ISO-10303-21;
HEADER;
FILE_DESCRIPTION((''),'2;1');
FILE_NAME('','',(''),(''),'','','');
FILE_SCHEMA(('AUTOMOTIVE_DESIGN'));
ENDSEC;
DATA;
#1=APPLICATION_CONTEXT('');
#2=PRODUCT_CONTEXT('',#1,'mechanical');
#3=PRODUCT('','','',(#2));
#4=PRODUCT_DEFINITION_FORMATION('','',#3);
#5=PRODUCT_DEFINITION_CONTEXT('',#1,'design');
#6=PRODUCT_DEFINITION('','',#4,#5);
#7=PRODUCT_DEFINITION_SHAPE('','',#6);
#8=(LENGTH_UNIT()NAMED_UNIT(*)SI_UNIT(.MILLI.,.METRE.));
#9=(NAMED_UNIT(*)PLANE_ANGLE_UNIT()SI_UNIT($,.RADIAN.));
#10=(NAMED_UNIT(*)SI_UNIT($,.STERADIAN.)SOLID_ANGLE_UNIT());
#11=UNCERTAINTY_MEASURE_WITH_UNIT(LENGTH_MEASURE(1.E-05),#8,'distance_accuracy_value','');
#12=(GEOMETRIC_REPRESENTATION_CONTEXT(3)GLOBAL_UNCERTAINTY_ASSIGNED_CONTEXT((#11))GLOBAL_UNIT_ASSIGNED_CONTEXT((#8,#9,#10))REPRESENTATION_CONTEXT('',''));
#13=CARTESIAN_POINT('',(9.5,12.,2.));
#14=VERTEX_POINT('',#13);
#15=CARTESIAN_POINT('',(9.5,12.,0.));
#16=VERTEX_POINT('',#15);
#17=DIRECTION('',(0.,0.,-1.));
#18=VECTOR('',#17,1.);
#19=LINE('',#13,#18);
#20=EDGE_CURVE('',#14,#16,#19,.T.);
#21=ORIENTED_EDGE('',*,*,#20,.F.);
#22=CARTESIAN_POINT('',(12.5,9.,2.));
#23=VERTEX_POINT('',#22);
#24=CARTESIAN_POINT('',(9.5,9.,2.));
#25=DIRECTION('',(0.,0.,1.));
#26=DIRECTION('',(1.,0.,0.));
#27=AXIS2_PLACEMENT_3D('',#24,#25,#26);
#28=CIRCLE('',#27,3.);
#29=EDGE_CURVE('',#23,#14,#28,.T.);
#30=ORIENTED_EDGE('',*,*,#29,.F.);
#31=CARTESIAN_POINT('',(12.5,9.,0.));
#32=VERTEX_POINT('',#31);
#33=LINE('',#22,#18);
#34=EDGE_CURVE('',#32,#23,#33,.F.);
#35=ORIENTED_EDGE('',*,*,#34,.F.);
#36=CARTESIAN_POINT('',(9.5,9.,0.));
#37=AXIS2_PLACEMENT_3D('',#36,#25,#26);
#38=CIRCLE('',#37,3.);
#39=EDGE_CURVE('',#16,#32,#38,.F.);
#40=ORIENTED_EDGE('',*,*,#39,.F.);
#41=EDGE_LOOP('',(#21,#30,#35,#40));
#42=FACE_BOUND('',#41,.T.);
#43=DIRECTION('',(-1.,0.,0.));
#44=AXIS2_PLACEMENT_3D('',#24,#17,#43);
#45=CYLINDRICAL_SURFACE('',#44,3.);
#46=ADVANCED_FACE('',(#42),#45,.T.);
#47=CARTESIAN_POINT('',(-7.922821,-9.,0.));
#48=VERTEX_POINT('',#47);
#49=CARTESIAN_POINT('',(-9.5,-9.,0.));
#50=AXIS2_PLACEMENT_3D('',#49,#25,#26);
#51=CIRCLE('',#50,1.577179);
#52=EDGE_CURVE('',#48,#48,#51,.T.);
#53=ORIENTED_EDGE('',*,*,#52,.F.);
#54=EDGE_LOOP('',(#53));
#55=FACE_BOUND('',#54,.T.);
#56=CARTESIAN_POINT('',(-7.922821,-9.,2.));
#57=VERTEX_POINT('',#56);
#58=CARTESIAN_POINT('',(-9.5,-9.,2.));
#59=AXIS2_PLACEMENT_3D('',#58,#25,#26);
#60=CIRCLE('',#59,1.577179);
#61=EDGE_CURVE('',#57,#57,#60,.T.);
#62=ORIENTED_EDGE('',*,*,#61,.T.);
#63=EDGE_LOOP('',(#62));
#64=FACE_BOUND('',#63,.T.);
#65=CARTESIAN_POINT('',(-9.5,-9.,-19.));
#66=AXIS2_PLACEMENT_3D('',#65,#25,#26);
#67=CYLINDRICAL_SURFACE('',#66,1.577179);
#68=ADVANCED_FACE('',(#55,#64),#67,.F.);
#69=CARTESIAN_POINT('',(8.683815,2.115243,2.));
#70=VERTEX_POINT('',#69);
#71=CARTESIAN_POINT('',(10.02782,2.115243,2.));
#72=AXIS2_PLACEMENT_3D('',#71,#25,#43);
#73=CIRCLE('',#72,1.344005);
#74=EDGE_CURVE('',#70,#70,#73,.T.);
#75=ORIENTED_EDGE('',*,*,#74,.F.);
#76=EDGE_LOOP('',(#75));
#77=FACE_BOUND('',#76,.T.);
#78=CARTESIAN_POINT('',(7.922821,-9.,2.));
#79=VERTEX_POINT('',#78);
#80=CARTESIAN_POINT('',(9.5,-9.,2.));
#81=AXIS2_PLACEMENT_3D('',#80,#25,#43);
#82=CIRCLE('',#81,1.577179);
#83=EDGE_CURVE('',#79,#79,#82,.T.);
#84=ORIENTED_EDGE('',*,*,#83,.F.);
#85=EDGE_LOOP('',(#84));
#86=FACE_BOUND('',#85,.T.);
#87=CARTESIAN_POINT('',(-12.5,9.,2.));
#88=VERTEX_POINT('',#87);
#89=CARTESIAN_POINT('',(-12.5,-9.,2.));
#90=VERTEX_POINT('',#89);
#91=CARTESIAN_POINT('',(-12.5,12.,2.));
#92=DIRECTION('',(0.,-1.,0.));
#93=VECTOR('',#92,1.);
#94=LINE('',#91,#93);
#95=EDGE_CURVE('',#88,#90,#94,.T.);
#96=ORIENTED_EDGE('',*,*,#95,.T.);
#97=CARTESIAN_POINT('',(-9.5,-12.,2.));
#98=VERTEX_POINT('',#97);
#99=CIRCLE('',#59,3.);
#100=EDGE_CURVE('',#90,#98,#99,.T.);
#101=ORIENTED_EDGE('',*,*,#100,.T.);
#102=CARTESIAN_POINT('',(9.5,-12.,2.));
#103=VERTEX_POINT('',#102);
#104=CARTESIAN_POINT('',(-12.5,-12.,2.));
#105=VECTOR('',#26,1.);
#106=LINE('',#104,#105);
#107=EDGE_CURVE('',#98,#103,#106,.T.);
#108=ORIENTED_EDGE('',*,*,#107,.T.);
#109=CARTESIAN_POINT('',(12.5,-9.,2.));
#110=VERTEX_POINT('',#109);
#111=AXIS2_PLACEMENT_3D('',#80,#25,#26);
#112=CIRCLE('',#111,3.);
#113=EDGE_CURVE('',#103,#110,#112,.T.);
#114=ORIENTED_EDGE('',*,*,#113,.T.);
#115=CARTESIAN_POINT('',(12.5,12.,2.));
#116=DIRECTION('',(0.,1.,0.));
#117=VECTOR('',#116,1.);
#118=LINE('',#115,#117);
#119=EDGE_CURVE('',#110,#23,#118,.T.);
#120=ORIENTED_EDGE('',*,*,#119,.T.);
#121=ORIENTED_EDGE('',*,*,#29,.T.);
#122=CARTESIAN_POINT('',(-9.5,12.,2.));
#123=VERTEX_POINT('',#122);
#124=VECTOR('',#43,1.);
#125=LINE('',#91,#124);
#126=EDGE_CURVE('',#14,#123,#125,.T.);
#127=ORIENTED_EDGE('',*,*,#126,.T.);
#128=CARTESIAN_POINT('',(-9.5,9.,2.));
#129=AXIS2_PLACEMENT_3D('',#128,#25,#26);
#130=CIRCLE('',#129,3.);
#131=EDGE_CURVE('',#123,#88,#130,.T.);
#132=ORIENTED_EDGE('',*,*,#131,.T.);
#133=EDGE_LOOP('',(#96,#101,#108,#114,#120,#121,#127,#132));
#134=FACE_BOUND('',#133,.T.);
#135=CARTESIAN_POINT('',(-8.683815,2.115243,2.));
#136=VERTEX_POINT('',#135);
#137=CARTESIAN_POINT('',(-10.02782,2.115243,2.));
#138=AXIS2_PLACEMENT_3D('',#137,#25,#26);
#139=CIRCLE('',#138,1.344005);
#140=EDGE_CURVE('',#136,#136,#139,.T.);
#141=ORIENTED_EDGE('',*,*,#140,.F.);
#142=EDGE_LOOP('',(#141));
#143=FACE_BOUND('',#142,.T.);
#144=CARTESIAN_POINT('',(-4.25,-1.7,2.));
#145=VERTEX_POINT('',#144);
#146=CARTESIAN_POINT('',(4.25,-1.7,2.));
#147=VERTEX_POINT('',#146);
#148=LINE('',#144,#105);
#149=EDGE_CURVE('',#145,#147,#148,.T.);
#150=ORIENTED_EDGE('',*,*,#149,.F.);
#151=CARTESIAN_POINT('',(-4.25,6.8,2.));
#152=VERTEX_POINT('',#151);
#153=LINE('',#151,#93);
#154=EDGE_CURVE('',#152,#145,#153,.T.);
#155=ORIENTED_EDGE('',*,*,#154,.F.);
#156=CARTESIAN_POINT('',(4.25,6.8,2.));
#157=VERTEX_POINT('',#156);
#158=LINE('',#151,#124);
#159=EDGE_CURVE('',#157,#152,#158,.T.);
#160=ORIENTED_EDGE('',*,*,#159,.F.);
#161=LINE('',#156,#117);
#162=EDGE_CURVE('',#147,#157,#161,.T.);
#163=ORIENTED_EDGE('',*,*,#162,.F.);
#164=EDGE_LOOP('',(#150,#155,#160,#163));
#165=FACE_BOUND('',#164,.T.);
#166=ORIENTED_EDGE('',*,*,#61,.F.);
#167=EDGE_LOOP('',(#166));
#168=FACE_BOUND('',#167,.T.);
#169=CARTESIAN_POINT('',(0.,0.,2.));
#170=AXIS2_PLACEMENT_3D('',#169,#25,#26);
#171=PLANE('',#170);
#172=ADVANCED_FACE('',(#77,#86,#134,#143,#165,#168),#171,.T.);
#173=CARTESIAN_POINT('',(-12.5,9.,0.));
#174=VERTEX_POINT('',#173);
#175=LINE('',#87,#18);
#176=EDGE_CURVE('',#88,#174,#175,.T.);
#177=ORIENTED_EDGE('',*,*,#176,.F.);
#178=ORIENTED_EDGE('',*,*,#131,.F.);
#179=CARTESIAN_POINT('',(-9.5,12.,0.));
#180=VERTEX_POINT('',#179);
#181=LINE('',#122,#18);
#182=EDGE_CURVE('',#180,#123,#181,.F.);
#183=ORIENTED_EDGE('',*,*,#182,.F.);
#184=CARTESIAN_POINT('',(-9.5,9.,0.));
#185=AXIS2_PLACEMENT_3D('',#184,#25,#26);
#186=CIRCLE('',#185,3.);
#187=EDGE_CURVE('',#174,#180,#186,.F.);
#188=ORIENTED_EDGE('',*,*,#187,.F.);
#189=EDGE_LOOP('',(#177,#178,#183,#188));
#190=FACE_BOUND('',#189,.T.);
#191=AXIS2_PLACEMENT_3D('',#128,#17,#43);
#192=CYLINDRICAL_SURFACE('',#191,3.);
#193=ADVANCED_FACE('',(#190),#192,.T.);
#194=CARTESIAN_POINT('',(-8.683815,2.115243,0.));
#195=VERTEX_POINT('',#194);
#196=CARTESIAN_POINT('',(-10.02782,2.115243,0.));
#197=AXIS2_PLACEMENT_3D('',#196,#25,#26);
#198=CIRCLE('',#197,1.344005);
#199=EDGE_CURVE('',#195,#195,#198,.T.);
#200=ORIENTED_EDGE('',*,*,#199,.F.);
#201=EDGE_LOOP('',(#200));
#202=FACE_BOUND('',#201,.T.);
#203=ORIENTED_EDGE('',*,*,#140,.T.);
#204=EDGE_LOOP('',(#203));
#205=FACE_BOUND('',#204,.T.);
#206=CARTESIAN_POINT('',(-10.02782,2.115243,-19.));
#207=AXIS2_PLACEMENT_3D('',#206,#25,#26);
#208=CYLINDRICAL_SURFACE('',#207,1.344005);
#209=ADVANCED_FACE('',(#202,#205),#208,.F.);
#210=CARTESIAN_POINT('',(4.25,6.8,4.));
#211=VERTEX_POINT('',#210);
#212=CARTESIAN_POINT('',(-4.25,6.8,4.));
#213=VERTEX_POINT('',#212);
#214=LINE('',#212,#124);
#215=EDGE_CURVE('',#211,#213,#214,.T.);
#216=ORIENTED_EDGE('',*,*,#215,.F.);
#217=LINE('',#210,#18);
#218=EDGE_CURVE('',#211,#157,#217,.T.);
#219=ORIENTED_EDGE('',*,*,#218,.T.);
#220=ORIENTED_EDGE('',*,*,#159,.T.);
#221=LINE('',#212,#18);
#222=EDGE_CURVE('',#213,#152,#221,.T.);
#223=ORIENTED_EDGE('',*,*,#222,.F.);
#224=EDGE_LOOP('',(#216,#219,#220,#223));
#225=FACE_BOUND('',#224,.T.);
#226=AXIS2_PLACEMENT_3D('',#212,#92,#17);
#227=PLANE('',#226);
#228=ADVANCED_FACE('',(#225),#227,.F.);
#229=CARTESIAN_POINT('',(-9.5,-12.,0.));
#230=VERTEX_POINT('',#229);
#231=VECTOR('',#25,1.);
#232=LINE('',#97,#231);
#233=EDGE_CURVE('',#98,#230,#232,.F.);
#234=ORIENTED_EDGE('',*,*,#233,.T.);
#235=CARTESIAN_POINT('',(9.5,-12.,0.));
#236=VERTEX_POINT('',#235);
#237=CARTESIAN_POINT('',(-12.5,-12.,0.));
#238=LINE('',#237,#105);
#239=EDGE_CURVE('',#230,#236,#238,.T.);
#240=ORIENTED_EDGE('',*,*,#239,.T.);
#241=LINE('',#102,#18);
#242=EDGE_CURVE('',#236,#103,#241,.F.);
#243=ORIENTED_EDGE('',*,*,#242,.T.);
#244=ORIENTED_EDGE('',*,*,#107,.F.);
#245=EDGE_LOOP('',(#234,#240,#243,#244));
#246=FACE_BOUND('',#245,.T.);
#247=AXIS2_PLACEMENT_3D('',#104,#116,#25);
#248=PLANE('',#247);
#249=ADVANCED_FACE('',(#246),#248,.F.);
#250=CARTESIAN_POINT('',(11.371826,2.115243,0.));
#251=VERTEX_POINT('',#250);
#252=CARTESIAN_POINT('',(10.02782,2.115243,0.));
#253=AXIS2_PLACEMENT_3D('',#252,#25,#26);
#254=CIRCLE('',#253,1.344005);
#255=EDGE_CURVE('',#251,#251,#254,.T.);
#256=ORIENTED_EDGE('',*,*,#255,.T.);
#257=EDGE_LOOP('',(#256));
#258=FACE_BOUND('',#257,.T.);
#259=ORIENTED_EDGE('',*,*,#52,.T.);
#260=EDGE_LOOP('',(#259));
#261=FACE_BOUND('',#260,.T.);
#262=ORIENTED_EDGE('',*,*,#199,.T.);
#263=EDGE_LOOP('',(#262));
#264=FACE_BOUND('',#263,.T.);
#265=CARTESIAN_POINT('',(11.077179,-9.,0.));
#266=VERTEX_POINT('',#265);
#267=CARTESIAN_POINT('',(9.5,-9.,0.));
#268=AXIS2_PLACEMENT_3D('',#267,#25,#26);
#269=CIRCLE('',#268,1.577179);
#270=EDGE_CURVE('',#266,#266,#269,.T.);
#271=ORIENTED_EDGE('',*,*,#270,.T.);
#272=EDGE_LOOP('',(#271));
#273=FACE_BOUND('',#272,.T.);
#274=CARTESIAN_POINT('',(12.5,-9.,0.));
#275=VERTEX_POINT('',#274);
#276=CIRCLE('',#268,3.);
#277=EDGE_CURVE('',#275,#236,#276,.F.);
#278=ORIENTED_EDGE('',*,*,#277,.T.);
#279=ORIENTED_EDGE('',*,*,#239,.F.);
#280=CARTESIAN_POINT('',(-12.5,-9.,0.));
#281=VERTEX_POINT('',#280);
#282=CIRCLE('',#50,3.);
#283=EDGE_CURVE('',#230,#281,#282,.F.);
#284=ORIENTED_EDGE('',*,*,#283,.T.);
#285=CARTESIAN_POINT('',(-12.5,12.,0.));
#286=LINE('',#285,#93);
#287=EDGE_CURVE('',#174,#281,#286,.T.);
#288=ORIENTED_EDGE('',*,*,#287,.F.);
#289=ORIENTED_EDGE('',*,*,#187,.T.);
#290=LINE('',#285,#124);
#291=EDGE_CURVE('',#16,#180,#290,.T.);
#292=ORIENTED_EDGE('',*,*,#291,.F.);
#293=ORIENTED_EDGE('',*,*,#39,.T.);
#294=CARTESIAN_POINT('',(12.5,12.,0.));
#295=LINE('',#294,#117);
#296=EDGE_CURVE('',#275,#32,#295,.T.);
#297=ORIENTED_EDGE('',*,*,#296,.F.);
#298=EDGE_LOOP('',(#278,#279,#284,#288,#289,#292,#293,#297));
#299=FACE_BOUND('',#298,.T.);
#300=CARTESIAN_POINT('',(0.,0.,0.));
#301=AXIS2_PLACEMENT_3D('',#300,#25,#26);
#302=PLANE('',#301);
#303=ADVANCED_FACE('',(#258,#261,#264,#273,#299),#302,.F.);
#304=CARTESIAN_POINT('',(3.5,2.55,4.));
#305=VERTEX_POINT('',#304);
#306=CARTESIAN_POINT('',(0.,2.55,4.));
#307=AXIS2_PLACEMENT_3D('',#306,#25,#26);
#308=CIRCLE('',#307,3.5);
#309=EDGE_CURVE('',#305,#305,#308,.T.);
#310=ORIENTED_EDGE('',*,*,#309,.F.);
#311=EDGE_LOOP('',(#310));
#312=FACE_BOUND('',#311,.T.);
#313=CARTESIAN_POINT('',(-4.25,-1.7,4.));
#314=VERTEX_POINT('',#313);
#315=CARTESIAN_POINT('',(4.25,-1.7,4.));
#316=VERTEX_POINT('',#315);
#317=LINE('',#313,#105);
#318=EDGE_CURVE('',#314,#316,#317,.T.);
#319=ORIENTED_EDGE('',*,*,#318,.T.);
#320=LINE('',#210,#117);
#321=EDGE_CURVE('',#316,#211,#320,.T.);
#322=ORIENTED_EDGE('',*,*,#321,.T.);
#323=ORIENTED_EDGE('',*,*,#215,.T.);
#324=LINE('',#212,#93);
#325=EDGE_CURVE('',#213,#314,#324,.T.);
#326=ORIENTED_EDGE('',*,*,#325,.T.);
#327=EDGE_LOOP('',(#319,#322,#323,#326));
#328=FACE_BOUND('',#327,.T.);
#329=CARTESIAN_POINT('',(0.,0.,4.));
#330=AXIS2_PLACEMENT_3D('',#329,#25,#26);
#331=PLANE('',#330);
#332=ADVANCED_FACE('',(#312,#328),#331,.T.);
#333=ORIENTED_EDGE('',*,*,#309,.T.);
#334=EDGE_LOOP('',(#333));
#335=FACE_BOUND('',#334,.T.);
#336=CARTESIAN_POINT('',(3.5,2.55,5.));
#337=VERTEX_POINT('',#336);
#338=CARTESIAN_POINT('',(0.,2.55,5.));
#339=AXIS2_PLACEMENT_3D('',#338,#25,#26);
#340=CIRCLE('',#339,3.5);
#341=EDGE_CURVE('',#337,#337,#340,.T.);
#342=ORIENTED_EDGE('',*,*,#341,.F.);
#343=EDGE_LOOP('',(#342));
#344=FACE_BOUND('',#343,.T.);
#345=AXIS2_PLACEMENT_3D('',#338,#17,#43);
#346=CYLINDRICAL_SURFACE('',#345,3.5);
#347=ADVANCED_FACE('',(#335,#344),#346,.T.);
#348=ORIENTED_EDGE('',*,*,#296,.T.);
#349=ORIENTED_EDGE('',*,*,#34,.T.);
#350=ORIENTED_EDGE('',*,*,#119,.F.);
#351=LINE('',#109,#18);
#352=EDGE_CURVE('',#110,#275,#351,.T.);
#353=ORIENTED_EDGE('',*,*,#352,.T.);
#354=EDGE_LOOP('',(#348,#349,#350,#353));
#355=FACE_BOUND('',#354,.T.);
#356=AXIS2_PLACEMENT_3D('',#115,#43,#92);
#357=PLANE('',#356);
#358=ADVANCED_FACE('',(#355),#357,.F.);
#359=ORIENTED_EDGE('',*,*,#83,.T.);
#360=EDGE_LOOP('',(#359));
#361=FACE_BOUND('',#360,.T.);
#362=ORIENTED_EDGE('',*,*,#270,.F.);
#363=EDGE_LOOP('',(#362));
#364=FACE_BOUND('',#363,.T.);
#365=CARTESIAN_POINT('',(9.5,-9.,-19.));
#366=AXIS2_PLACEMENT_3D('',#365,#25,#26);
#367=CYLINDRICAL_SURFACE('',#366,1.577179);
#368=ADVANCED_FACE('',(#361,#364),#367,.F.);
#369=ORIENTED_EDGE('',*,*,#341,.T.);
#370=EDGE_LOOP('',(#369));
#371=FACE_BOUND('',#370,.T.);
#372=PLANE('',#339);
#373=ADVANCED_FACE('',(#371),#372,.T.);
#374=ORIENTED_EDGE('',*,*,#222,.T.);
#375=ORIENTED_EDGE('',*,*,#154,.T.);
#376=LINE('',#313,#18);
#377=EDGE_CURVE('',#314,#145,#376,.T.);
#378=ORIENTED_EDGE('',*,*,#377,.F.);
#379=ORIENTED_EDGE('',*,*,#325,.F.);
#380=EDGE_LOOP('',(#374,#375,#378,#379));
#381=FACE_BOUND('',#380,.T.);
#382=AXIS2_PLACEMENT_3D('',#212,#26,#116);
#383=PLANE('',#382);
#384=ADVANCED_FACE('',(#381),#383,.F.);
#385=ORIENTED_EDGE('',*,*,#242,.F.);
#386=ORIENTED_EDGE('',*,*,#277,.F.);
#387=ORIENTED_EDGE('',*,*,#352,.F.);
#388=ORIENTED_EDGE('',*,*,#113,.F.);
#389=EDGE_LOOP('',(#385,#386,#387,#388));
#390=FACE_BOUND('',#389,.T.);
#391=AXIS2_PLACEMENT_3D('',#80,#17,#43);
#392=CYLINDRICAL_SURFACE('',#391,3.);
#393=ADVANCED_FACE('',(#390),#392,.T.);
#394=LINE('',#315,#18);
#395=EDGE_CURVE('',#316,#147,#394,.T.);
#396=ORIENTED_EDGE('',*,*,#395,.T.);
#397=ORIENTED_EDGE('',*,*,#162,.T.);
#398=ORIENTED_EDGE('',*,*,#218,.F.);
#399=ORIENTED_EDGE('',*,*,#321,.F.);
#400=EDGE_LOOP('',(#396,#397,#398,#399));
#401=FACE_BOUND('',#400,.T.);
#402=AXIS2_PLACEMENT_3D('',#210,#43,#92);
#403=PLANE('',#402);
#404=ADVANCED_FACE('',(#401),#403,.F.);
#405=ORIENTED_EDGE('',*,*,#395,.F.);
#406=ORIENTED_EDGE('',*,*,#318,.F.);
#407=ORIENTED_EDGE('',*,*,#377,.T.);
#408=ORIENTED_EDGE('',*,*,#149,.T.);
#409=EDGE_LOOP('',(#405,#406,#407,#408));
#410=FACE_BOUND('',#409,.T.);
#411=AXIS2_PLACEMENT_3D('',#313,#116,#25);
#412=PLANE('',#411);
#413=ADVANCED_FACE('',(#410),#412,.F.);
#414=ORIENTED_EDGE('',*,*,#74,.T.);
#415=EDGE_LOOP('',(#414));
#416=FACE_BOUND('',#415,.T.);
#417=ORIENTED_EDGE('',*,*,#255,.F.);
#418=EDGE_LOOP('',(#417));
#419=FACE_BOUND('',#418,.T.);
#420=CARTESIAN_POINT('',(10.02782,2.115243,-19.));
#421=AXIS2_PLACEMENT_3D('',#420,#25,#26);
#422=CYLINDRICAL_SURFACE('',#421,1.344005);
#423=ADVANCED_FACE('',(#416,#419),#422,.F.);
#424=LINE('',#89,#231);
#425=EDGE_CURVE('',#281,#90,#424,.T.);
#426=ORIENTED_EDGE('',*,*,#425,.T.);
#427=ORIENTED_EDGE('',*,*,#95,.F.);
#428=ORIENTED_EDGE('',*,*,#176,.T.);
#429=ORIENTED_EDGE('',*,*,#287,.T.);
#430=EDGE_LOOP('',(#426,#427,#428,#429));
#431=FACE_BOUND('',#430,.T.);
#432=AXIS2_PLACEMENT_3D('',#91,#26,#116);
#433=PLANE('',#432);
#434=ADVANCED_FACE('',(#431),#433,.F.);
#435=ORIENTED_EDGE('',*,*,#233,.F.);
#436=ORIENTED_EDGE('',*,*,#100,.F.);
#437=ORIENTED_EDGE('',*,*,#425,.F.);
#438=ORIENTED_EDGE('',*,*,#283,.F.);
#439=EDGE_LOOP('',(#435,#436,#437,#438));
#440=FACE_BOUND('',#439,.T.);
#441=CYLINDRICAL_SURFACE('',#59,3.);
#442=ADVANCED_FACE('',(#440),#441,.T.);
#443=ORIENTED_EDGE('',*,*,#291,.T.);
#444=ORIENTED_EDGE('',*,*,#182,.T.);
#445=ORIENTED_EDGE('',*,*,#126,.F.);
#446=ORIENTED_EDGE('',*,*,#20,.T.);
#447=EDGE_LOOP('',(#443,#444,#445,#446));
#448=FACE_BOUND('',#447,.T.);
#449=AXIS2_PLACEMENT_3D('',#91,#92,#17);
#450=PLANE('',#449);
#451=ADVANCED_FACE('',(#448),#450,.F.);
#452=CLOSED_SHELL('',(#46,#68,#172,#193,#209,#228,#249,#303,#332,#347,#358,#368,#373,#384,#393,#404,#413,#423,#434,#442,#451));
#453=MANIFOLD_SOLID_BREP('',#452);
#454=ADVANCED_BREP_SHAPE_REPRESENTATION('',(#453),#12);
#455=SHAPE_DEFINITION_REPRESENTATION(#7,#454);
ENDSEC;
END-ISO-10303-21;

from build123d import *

# Parameters (mm, degrees)
SKETCH_1_W          = 25
SKETCH_1_H          = 24
EXTRUDE_1_DEPTH     = 2
SKETCH_2_W          = 8.5
SKETCH_2_H          = 8.5
EXTRUDE_2_DEPTH     = 2
SKETCH_3_R          = 3.5
EXTRUDE_3_DEPTH     = 1
FILLET_1_R          = 3
FILLET_2_R          = 3
FILLET_3_R          = 3
FILLET_4_R          = 3
SKETCH_5_R          = 1.34400515
SKETCH_5_R_2        = 1.577179003
CUT_EXTRUDE_1_DEPTH = 21


with BuildPart() as part:
    # 스케치1 → 보스-돌출1 (new body)
    with BuildSketch(Plane.XY):
        Rectangle(SKETCH_1_W, SKETCH_1_H)
    extrude(amount=EXTRUDE_1_DEPTH)

    # 스케치2 → 보스-돌출2 (add)
    with BuildSketch(Plane.XY.offset(2)):
        with Locations((0, 2.55)):
            Rectangle(SKETCH_2_W, SKETCH_2_H)
    extrude(amount=EXTRUDE_2_DEPTH)

    # 스케치3 → 보스-돌출3 (add)
    with BuildSketch(Plane.XY.offset(4)):
        with Locations((0, 2.55)):
            Circle(SKETCH_3_R)
    extrude(amount=EXTRUDE_3_DEPTH)

    # 필렛1
    fillet_1_edges = [part.edges().sort_by_distance(p)[0] for p in [
        (-12.5, -12, 1),
    ]]
    fillet(fillet_1_edges, radius=FILLET_1_R)

    # 필렛2
    fillet_2_edges = [part.edges().sort_by_distance(p)[0] for p in [
        (-12.5, 12, 1),
    ]]
    fillet(fillet_2_edges, radius=FILLET_2_R)

    # 필렛3
    fillet_3_edges = [part.edges().sort_by_distance(p)[0] for p in [
        (12.5, 12, 1),
    ]]
    fillet(fillet_3_edges, radius=FILLET_3_R)

    # 필렛4
    fillet_4_edges = [part.edges().sort_by_distance(p)[0] for p in [
        (12.5, -12, 1),
    ]]
    fillet(fillet_4_edges, radius=FILLET_4_R)

    # 스케치5 → 컷-돌출1 (cut)
    with BuildSketch(Plane.XY.offset(2)):
        with Locations((-10.027820436, 2.115243373)):
            Circle(SKETCH_5_R)
        with Locations((10.027820436, 2.115243373)):
            Circle(SKETCH_5_R)
        with Locations((-9.5, -9)):
            Circle(SKETCH_5_R_2)
        with Locations((9.5, -9)):
            Circle(SKETCH_5_R_2)
    extrude(amount=-CUT_EXTRUDE_1_DEPTH, mode=Mode.SUBTRACT)


solid = part.part
